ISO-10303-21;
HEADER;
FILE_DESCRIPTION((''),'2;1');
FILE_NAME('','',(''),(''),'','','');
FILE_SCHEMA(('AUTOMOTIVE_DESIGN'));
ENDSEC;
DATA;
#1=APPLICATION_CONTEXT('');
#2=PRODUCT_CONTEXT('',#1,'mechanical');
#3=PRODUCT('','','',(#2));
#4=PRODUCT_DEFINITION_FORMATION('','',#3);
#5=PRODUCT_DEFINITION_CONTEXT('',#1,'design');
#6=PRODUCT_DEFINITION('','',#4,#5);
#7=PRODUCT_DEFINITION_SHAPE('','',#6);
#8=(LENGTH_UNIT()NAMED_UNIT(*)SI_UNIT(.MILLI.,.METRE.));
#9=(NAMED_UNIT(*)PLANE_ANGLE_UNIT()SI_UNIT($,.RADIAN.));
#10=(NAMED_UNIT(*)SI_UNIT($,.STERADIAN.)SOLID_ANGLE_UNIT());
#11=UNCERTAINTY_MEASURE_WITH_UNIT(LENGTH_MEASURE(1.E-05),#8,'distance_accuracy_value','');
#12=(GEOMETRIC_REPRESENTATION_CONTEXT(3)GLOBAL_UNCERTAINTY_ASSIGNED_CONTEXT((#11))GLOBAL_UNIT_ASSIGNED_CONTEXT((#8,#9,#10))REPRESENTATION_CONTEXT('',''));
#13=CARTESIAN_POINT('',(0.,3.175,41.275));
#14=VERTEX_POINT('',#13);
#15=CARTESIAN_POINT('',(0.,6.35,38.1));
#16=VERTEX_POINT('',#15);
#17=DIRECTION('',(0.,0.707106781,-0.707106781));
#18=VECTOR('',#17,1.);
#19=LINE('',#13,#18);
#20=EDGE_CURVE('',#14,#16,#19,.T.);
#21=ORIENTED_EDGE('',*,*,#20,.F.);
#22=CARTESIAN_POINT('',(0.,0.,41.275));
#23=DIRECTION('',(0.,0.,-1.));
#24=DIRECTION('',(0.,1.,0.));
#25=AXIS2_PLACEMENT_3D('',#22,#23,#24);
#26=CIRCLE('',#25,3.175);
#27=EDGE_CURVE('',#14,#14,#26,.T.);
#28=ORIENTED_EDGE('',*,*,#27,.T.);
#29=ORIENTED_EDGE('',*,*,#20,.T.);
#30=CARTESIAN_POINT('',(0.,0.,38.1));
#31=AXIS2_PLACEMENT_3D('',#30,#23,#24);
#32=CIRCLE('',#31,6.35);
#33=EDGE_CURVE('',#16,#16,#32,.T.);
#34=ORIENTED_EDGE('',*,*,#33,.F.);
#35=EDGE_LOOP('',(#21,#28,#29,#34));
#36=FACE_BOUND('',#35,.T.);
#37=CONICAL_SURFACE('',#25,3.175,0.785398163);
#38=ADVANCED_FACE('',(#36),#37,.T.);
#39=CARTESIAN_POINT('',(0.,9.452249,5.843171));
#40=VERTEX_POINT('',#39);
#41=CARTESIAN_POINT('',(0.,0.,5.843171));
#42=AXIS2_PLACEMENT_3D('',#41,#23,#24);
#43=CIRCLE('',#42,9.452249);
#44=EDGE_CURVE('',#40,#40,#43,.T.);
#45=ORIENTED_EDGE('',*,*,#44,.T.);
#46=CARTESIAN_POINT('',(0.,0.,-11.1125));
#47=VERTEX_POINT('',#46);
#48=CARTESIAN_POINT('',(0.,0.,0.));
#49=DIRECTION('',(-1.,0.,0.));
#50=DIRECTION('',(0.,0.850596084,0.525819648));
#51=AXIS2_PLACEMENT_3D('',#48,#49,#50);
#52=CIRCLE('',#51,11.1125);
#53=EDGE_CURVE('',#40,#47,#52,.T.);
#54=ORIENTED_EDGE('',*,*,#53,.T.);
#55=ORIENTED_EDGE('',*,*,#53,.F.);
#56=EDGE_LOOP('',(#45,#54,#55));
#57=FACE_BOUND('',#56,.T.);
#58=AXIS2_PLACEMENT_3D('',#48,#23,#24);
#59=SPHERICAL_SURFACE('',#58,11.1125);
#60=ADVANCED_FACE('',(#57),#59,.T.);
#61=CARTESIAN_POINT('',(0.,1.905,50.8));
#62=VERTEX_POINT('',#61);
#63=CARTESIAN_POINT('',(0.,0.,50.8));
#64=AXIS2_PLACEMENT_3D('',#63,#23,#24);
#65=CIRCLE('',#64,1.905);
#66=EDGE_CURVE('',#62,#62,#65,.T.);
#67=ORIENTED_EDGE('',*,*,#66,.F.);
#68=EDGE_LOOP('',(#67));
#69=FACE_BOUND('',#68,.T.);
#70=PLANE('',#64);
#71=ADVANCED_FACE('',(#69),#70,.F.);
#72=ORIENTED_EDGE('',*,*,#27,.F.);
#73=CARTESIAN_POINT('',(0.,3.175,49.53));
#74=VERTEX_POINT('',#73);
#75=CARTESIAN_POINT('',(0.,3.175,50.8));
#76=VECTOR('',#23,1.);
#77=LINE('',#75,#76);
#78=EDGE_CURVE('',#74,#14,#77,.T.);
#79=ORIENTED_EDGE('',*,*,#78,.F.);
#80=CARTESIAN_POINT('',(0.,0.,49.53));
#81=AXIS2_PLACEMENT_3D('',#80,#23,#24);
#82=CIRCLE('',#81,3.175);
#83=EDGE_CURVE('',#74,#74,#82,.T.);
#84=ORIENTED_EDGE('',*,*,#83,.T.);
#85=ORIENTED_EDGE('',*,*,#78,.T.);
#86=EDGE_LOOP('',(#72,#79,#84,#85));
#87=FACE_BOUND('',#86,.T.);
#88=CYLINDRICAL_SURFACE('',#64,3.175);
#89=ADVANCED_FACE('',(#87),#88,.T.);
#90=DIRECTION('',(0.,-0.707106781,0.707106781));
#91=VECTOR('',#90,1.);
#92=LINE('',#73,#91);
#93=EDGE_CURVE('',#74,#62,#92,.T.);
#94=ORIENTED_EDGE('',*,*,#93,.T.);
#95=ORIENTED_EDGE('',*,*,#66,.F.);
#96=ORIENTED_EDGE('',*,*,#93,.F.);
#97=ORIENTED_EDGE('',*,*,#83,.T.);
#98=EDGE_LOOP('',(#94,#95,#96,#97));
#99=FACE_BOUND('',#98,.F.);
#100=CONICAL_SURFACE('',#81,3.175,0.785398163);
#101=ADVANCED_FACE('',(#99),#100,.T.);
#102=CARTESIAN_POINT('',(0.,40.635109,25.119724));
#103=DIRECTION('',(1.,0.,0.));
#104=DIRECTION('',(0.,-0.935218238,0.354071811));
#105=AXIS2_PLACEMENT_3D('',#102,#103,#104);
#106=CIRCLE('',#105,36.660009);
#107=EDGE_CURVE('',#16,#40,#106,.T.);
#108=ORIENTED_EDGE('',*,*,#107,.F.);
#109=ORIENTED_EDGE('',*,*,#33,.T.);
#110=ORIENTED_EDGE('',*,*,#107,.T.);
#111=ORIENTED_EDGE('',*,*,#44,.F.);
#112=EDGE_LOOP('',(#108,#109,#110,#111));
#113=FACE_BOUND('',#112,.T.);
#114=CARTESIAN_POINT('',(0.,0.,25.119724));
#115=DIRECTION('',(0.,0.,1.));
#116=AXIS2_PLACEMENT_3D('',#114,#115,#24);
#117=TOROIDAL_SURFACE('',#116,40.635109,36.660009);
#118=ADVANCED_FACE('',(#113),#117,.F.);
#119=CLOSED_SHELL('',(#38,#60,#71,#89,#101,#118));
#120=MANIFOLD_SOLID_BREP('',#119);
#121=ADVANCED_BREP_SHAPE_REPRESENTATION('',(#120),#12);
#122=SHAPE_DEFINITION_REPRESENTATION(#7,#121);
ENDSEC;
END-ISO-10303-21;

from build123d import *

# Parameters (mm, degrees)
CHAMFER1_SIZE = 1.27


with BuildPart() as part:
    # Sketch1 → Revolve1 (revolve)
    with BuildSketch(Plane(origin=(0, 0, 0), x_dir=(0, 0, -1), z_dir=(1, 0, 0))):
        with BuildLine():
            Line((-50.8, 3.175), (-41.275, 3.175))
            Line((-41.275, 3.175), (-38.1, 6.35))
            ThreePointArc((-38.1, 6.35), (-21.610199299, 4.14347303), (-5.843170842, 9.452248979))
            ThreePointArc((-5.843170842, 9.452248979), (5.41088811, 9.70618082), (11.1125, 0))
            Line((11.1125, 0), (-50.8, 0))
            Line((-50.8, 0), (-50.8, 3.175))
        make_face()
    revolve(axis=Axis((0, 0, 56.75283716), (0, 0, -1)))

    # Chamfer1
    chamfer1_edges = [part.edges().sort_by_distance(p)[0] for p in [
        (0, -3.175, 50.8),
    ]]
    chamfer(chamfer1_edges, length=CHAMFER1_SIZE)


solid = part.part
